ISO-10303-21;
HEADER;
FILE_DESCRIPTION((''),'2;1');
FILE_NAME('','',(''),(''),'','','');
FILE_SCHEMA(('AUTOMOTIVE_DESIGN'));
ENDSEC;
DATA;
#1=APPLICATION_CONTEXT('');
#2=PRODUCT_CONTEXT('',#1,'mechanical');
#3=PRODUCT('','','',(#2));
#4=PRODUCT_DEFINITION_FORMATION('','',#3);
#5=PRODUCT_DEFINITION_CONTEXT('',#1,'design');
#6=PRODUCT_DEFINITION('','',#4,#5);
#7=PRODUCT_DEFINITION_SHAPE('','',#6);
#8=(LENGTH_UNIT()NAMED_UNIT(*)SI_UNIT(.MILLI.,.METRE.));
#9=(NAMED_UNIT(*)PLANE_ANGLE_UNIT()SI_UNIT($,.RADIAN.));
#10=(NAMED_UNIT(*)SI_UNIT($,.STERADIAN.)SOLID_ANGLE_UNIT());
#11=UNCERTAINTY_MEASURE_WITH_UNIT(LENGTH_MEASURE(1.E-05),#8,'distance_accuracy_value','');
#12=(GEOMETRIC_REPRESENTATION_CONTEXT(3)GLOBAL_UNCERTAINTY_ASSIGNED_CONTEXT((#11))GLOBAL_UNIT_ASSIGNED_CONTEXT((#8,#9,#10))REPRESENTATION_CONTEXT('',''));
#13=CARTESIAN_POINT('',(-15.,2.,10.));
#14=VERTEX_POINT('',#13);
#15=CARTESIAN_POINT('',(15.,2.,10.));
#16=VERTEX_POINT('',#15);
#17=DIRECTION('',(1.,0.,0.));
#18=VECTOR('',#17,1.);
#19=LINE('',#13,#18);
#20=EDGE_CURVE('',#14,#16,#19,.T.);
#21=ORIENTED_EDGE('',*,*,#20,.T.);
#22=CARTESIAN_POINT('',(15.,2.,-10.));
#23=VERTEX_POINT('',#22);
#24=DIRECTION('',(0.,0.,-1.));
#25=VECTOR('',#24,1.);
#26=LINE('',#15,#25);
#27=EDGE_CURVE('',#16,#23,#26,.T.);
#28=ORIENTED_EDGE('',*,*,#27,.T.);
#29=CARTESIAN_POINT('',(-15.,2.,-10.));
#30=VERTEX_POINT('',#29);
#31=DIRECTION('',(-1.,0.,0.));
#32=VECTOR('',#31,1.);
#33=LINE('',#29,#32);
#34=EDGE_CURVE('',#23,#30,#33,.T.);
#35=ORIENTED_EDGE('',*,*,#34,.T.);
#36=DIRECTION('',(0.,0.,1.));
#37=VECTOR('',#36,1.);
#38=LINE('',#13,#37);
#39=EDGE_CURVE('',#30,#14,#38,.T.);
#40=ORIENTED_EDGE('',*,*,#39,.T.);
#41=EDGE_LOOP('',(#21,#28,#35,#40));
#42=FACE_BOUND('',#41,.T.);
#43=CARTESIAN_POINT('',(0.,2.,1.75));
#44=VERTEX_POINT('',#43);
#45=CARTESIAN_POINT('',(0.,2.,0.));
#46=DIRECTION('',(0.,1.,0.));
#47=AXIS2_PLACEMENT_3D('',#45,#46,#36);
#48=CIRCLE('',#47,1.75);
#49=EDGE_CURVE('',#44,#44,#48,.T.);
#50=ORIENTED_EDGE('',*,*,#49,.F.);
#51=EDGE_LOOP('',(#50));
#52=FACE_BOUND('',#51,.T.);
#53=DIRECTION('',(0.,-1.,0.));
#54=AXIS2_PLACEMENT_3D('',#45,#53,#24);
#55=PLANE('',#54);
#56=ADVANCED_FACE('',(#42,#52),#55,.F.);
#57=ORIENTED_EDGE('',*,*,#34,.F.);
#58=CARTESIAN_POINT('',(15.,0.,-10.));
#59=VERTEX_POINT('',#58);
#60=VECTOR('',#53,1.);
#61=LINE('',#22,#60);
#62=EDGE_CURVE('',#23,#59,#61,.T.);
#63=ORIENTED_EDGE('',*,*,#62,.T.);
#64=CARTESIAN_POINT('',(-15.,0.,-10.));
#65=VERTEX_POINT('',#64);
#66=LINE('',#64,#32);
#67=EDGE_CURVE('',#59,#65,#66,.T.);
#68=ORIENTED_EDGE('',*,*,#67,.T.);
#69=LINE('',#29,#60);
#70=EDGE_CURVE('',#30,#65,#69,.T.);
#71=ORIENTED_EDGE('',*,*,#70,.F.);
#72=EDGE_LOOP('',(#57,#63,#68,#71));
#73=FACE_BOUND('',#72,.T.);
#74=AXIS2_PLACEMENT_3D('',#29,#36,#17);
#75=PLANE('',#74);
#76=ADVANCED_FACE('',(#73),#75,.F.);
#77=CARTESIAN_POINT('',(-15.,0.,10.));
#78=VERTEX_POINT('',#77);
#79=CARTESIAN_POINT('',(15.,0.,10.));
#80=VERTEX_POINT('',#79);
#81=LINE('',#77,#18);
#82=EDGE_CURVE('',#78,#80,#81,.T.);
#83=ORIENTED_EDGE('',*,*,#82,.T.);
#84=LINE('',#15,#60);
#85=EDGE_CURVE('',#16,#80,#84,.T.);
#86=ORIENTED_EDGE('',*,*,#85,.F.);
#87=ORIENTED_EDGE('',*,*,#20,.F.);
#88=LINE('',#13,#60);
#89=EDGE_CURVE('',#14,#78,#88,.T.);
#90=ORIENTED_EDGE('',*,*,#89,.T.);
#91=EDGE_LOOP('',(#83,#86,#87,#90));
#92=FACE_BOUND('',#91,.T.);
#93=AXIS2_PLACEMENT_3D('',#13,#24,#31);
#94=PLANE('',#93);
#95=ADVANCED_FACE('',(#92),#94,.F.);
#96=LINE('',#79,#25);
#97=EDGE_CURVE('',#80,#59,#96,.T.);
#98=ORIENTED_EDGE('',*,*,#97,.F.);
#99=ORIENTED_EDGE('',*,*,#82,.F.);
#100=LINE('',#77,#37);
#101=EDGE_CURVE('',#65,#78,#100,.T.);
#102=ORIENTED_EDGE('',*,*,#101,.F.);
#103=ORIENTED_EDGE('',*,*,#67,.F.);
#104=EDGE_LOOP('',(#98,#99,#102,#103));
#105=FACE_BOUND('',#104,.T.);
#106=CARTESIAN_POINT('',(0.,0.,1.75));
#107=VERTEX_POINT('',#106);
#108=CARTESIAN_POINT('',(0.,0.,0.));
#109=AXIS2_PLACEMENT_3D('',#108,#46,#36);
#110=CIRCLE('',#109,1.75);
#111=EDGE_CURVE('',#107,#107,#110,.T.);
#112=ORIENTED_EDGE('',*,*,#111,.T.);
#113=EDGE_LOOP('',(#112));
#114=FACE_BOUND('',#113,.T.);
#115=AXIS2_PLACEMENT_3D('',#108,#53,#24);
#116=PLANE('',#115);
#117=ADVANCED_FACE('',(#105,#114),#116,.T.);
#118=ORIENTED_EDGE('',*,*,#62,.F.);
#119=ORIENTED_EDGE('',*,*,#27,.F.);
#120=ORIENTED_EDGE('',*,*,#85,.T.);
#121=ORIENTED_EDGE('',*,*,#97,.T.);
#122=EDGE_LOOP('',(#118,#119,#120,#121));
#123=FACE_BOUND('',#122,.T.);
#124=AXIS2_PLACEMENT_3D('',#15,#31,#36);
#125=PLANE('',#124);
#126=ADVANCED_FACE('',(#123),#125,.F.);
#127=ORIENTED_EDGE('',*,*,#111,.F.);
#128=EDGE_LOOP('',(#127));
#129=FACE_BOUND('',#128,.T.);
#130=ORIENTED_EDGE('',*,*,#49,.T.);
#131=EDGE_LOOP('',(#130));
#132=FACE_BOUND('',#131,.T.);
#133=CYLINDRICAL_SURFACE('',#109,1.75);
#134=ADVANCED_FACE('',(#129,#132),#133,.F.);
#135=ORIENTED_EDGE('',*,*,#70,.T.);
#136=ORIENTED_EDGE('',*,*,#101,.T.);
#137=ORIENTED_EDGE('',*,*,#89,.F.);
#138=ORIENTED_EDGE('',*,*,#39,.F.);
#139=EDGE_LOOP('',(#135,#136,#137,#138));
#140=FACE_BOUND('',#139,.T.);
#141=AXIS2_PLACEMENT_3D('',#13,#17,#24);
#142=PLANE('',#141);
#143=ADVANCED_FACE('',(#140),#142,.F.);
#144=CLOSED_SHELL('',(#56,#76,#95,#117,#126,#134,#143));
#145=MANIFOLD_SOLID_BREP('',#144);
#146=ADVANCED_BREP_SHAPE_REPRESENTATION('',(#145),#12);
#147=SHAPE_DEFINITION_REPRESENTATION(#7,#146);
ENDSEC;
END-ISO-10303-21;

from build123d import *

# Parameters (mm, degrees)
SKETCH1_W           = 30
SKETCH1_H           = 20
BOSS_EXTRUDE1_DEPTH = 2
SKETCH2_R           = 1.75
CUT_EXTRUDE1_DEPTH  = 3


with BuildPart() as part:
    # Sketch1 → Boss-Extrude1 (new body)
    with BuildSketch(Plane(origin=(0, 0, 0), x_dir=(1, 0, 0), z_dir=(0, 1, 0))):
        Rectangle(SKETCH1_W, SKETCH1_H)
    extrude(amount=BOSS_EXTRUDE1_DEPTH)

    # Sketch2 → Cut-Extrude1 (cut, through all)
    with BuildSketch(Plane(origin=(0, 2, 0), x_dir=(1, 0, 0), z_dir=(0, 1, 0))):
        Circle(SKETCH2_R)
    extrude(amount=-CUT_EXTRUDE1_DEPTH, mode=Mode.SUBTRACT)


solid = part.part
